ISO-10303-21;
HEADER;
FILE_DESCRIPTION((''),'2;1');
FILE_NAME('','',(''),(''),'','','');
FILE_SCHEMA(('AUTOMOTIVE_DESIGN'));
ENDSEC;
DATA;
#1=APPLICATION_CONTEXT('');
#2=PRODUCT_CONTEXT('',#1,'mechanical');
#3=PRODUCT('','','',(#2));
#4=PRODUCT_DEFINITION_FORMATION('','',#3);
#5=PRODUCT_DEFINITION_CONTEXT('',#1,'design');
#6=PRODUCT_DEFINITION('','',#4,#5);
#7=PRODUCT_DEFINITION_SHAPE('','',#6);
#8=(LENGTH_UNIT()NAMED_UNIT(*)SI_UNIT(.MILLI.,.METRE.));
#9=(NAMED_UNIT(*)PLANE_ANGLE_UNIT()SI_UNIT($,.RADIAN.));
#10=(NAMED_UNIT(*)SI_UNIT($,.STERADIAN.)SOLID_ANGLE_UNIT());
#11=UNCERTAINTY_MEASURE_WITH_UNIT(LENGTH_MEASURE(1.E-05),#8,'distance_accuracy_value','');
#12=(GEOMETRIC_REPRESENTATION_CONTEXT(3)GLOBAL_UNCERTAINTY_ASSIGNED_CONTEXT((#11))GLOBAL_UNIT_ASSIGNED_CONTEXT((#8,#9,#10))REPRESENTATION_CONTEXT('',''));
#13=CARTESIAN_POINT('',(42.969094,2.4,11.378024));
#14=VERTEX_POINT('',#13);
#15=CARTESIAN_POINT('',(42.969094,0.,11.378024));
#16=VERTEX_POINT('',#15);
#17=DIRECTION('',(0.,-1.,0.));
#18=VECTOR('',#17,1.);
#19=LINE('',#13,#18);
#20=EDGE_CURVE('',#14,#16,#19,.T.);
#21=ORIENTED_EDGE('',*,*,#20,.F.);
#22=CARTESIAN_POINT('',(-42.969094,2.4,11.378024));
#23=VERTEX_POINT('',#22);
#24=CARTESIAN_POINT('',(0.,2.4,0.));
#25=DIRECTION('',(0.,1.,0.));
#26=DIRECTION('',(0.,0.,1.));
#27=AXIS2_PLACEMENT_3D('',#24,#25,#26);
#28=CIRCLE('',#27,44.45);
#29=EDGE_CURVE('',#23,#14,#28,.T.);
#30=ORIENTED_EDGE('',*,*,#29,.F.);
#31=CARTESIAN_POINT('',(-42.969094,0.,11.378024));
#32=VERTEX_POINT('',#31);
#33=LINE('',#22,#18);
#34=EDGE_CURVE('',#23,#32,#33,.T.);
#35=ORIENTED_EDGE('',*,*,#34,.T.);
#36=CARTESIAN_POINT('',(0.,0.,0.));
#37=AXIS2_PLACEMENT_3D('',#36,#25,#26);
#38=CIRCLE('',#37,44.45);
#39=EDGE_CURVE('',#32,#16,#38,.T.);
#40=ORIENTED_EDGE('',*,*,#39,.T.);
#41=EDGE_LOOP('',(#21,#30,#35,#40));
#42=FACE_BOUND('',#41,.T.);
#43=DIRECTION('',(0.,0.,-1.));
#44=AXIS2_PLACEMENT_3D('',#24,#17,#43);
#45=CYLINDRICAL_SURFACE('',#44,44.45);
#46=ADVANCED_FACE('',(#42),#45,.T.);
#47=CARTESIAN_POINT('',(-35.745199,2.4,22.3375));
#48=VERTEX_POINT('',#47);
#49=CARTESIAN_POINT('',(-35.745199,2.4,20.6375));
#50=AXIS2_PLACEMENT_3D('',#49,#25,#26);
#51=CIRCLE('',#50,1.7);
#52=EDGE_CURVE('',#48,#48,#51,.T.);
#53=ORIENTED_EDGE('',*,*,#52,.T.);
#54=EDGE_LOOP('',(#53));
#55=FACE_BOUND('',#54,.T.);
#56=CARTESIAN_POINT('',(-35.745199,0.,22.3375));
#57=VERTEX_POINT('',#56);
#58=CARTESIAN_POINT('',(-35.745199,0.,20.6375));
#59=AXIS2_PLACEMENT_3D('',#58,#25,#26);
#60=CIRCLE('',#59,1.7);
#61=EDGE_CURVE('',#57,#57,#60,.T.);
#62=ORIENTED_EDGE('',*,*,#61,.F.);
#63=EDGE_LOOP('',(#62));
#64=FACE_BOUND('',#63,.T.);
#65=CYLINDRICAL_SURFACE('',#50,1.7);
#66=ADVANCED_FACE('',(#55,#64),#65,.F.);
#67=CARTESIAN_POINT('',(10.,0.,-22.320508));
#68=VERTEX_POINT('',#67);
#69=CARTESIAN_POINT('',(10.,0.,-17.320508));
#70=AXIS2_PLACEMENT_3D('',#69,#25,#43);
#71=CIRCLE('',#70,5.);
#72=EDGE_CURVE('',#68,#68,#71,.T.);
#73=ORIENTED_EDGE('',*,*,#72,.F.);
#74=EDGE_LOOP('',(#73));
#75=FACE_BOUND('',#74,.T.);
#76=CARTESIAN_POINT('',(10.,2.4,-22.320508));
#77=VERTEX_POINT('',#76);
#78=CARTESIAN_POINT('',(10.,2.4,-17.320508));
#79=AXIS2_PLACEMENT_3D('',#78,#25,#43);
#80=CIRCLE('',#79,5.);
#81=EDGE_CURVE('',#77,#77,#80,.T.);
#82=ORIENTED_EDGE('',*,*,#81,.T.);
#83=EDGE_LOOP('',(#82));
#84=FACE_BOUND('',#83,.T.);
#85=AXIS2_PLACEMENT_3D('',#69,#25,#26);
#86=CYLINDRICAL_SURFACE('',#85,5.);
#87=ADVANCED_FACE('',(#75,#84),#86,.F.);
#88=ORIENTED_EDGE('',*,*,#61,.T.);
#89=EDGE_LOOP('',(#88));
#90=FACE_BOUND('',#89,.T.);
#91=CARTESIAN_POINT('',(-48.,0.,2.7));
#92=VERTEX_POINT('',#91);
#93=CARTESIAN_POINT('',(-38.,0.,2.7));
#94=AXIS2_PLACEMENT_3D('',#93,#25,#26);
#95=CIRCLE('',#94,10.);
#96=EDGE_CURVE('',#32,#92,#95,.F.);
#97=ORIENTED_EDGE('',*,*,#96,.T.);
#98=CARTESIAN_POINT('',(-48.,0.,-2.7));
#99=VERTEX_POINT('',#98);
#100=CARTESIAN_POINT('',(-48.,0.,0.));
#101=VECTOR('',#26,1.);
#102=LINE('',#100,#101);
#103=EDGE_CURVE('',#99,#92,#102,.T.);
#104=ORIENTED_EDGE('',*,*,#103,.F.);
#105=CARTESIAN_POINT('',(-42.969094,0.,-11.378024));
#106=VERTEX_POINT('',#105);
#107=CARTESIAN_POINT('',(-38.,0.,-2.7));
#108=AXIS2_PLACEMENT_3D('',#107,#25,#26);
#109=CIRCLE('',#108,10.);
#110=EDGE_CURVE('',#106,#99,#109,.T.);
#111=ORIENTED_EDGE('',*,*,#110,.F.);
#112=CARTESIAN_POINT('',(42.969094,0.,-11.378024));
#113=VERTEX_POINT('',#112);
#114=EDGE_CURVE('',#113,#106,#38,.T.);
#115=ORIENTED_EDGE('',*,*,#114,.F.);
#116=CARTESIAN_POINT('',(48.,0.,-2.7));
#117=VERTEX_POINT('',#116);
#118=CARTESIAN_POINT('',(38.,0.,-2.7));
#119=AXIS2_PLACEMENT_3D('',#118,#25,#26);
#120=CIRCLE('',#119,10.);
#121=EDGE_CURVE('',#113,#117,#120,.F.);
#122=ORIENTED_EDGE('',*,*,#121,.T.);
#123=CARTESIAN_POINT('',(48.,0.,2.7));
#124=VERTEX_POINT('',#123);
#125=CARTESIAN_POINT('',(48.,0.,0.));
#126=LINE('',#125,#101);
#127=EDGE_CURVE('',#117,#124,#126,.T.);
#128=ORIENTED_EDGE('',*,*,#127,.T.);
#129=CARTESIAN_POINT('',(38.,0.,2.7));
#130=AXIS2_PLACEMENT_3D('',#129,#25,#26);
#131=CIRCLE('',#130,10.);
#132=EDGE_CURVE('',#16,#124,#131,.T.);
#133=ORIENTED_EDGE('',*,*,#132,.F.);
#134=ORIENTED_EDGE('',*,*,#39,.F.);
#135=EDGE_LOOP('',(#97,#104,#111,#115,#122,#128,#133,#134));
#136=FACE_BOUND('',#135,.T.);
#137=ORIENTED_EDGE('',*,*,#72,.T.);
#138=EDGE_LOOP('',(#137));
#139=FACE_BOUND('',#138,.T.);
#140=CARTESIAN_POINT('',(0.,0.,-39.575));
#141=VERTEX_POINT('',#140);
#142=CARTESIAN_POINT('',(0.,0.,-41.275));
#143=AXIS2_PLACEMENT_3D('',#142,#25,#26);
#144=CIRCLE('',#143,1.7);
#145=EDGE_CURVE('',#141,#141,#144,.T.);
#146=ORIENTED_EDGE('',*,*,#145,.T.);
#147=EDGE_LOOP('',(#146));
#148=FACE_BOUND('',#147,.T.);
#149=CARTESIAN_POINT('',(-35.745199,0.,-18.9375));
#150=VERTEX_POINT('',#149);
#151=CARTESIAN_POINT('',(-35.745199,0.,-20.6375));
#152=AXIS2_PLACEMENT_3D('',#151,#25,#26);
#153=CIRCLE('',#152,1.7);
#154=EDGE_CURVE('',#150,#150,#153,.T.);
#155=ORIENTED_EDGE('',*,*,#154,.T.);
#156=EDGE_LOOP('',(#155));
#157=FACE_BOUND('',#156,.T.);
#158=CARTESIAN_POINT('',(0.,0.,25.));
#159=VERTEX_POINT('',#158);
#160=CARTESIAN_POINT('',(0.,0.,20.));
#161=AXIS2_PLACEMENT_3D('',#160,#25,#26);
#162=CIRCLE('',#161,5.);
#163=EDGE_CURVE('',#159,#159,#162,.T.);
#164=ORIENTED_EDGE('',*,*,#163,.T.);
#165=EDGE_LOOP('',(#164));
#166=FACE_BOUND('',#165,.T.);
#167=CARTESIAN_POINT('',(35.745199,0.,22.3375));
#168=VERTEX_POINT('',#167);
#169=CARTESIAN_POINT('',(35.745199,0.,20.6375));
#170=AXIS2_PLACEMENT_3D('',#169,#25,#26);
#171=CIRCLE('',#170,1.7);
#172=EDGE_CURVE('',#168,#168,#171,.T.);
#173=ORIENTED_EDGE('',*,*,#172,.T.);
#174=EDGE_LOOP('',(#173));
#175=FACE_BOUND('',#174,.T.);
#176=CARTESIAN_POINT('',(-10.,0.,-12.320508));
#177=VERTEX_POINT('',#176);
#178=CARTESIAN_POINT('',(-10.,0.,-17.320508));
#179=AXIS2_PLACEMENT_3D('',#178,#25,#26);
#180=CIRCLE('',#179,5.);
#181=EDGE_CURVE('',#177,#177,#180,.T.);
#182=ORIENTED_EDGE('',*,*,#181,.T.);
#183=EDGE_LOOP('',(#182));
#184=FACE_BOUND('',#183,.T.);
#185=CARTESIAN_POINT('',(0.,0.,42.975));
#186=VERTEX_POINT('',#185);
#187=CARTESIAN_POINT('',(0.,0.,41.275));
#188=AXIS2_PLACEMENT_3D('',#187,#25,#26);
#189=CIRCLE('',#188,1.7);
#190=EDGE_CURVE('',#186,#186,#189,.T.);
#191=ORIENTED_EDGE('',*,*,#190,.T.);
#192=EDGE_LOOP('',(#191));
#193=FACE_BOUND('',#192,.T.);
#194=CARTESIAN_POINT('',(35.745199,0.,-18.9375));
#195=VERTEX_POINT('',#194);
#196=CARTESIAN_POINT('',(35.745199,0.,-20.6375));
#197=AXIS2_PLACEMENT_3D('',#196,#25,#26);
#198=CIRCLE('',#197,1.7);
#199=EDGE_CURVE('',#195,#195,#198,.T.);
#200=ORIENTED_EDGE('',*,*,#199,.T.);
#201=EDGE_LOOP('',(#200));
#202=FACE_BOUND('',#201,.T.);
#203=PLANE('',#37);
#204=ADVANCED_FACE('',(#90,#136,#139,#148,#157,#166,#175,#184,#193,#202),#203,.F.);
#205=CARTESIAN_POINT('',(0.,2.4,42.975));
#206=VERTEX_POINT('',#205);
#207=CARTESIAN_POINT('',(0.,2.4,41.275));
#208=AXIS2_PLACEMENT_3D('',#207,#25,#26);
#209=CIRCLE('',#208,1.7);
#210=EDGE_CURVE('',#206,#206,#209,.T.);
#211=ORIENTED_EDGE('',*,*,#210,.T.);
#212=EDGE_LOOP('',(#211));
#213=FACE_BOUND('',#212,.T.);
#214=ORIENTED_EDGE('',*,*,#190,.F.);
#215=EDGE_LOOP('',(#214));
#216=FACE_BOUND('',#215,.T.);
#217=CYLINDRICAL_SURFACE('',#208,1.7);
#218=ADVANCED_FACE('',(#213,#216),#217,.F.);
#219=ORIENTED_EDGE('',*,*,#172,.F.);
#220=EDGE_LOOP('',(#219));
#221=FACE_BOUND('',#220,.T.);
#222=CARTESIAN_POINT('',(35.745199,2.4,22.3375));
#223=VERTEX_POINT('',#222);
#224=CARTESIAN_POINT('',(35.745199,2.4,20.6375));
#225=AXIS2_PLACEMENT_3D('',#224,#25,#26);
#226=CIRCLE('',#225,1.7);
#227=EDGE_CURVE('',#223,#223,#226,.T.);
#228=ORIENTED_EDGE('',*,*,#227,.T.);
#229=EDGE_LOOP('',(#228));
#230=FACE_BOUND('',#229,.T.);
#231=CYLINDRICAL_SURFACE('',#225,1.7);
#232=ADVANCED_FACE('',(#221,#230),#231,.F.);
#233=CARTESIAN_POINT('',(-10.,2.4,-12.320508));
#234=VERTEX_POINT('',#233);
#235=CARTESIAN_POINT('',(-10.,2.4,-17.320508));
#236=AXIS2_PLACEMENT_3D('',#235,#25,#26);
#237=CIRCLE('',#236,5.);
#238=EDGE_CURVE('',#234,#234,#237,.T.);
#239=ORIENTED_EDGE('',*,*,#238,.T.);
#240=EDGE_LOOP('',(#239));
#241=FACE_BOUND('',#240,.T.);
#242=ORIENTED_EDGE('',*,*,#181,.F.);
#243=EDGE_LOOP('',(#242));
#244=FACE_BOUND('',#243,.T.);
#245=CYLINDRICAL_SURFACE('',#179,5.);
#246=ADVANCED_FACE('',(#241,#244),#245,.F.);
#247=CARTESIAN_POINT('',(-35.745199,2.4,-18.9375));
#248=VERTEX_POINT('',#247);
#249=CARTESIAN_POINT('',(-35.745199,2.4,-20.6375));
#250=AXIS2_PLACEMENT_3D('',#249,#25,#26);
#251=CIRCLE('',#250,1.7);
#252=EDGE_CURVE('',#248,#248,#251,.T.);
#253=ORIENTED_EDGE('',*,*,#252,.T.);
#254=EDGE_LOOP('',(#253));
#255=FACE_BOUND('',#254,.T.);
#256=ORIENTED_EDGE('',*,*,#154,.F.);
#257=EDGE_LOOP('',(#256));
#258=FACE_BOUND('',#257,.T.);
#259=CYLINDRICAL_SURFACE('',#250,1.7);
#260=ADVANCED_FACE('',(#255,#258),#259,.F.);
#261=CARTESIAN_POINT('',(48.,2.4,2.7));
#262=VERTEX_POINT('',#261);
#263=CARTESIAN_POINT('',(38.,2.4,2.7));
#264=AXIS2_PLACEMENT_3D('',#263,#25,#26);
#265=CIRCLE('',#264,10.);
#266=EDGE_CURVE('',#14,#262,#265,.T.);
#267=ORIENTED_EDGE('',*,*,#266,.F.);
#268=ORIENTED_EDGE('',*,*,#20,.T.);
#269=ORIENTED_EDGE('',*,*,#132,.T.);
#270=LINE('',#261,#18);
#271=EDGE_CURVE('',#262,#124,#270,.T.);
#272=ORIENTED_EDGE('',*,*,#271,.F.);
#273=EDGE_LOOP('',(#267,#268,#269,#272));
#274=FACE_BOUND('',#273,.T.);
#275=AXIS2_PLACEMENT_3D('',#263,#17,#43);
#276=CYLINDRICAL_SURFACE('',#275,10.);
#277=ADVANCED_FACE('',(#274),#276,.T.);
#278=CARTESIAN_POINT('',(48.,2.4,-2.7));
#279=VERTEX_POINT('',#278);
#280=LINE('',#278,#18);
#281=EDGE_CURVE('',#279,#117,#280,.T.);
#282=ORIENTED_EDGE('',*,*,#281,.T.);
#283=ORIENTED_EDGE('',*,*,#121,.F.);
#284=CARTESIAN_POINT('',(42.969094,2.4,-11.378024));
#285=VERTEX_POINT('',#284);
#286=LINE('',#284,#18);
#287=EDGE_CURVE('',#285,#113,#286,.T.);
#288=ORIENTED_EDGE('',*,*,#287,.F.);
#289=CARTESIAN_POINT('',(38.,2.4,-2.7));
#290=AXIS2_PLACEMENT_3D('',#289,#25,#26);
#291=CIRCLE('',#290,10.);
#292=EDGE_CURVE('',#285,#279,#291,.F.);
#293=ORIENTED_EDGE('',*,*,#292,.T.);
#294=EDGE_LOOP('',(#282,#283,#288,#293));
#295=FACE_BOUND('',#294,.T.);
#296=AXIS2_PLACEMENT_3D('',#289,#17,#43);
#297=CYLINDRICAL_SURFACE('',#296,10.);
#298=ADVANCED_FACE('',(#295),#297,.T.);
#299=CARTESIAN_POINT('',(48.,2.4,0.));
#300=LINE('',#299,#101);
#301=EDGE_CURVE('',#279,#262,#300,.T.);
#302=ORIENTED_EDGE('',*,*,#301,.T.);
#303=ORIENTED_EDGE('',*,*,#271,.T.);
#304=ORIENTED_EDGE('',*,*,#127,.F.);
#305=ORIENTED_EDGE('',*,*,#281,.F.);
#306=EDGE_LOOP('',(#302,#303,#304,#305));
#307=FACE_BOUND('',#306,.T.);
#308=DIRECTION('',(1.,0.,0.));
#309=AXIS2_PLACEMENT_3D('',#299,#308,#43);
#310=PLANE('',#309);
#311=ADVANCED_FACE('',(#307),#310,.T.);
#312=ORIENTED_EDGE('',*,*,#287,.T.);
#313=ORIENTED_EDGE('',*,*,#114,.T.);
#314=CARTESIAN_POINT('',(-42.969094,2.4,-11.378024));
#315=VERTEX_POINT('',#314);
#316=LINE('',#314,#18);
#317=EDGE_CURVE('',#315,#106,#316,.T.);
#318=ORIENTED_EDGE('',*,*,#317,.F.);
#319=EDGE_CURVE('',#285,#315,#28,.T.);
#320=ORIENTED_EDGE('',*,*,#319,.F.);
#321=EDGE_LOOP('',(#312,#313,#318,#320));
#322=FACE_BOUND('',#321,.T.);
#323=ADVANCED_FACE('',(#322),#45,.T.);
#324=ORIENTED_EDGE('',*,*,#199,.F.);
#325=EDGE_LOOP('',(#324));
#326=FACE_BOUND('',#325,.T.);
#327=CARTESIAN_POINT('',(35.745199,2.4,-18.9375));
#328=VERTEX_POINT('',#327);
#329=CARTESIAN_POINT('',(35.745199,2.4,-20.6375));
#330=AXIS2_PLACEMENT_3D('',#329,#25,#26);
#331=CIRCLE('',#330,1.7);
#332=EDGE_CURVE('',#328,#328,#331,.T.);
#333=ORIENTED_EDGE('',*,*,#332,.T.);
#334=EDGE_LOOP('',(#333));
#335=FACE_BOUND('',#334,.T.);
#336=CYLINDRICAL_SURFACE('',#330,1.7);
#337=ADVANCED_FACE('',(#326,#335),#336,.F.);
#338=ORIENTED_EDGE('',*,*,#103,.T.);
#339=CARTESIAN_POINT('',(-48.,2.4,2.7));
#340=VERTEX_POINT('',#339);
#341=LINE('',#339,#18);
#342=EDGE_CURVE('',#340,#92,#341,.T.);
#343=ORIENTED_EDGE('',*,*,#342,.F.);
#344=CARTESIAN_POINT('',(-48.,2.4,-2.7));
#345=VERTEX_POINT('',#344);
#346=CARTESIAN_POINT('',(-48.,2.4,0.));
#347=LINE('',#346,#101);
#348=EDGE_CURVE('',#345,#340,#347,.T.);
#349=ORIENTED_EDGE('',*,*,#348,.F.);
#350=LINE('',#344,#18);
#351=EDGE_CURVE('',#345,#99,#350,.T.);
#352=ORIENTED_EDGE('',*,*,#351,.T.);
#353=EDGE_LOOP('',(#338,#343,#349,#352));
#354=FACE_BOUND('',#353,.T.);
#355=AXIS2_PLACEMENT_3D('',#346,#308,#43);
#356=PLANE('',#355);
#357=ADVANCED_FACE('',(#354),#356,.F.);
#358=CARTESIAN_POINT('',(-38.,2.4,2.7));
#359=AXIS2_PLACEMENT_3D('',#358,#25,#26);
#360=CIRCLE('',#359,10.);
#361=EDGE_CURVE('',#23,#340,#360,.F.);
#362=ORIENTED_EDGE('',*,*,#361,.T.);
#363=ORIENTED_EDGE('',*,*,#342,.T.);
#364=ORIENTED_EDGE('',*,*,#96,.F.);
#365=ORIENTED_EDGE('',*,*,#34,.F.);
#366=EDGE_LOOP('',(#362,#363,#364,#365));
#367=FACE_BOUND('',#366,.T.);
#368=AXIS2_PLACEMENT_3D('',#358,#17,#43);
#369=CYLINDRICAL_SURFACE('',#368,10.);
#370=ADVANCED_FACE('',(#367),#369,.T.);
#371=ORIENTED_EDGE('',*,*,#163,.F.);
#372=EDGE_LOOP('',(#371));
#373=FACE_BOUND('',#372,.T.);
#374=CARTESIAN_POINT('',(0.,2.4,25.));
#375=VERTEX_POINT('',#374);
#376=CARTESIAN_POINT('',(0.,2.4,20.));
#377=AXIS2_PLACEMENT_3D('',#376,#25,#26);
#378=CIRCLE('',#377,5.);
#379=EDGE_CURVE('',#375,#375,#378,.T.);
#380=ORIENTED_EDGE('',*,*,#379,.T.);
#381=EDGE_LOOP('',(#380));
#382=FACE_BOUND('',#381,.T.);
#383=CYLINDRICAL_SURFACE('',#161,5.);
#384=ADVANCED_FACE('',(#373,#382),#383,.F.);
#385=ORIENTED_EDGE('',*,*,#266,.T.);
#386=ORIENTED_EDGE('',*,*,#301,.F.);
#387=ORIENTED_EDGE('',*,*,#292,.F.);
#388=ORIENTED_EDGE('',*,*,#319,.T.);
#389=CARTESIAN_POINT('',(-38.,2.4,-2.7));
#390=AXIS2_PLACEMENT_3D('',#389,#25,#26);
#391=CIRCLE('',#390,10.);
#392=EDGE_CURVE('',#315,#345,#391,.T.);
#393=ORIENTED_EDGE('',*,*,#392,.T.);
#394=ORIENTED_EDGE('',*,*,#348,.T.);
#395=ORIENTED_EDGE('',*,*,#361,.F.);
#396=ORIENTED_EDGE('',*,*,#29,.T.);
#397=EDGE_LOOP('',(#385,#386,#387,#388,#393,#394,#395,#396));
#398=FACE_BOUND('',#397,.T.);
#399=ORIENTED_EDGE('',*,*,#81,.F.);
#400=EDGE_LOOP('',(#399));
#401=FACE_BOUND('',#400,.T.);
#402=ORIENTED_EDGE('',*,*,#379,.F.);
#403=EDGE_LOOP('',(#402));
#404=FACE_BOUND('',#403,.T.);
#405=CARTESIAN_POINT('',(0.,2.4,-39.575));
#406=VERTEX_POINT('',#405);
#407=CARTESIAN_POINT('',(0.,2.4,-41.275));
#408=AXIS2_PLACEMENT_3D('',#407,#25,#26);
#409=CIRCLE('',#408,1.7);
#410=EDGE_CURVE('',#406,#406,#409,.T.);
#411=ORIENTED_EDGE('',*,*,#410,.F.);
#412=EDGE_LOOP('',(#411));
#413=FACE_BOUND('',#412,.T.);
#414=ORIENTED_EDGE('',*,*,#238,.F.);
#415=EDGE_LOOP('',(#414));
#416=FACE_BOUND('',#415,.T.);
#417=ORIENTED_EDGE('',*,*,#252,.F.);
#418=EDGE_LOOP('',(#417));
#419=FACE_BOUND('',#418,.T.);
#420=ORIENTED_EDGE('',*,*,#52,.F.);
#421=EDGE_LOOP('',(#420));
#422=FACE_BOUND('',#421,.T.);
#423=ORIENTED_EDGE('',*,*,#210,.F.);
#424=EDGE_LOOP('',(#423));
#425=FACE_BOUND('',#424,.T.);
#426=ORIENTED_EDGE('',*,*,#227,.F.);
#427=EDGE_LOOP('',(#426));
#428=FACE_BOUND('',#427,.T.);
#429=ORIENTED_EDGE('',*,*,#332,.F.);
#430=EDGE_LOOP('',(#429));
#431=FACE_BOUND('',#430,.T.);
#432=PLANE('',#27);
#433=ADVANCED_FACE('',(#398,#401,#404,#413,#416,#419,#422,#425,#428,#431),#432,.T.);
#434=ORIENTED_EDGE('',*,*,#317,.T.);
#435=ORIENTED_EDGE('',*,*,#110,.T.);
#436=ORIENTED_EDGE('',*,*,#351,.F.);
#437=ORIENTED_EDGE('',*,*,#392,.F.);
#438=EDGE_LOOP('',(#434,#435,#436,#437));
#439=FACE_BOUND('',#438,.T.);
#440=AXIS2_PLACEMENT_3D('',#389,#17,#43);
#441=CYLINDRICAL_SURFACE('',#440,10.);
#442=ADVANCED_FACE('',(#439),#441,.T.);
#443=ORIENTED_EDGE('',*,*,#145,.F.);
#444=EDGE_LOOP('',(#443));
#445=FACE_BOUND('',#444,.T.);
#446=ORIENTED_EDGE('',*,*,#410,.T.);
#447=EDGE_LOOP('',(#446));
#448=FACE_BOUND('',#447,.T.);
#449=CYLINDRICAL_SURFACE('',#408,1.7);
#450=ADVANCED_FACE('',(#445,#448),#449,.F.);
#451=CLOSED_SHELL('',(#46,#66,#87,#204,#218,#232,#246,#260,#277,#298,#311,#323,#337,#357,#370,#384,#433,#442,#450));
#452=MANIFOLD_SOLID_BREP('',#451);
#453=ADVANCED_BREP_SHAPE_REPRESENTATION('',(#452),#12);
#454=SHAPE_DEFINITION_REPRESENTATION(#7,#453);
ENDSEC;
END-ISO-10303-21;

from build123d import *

# Parameters (mm, degrees)
BOSS_EXTRUDE1_DEPTH  = 2.4
M3_CLEARANCE_HOLE1_D = 3.4
CIRPATTERN1_COUNT    = 6
SKETCH8_R            = 5
CUT_EXTRUDE2_DEPTH   = 66.464207778


with BuildPart() as part:
    # Sketch1 → Boss-Extrude1 (new body)
    with BuildSketch(Plane(origin=(0, 0, 0), x_dir=(1, 0, 0), z_dir=(0, 1, 0))):
        with BuildLine():
            ThreePointArc((-42.969094344, -11.378024049), (-44.45, 0), (-42.969094344, 11.378024049))
            ThreePointArc((-42.969094344, 11.378024049), (-46.651327743, 7.715429023), (-48, 2.7))
            Line((-48, 2.7), (-48, -2.7))
            ThreePointArc((-48, -2.7), (-46.651327743, -7.715429023), (-42.969094344, -11.378024049))
        make_face()
        with BuildLine():
            Line((38, 12.7), (-38, 12.7))
            ThreePointArc((-38, 12.7), (-40.570968641, 12.363856386), (-42.969094344, 11.378024049))
            ThreePointArc((-42.969094344, 11.378024049), (-44.45, 0), (-42.969094344, -11.378024049))
            ThreePointArc((-42.969094344, -11.378024049), (-40.570968641, -12.363856386), (-38, -12.7))
            Line((-38, -12.7), (38, -12.7))
            ThreePointArc((38, -12.7), (40.570968641, -12.363856386), (42.969094344, -11.378024049))
            ThreePointArc((42.969094344, -11.378024049), (44.078218791, -5.736996445), (44.45, 0))
            ThreePointArc((44.45, 0), (44.078218791, 5.736996445), (42.969094344, 11.378024049))
            ThreePointArc((42.969094344, 11.378024049), (40.570968641, 12.363856386), (38, 12.7))
        make_face()
        with BuildLine():
            ThreePointArc((-38, -12.7), (-40.570968641, -12.363856386), (-42.969094344, -11.378024049))
            ThreePointArc((-42.969094344, -11.378024049), (0, -44.45), (42.969094344, -11.378024049))
            ThreePointArc((42.969094344, -11.378024049), (40.570968641, -12.363856386), (38, -12.7))
            Line((38, -12.7), (-38, -12.7))
        make_face()
        with BuildLine():
            ThreePointArc((-42.969094344, 11.378024049), (-40.570968641, 12.363856386), (-38, 12.7))
            Line((-38, 12.7), (38, 12.7))
            ThreePointArc((38, 12.7), (40.570968641, 12.363856386), (42.969094344, 11.378024049))
            ThreePointArc((42.969094344, 11.378024049), (0, 44.45), (-42.969094344, 11.378024049))
        make_face()
        with BuildLine():
            ThreePointArc((48, 2.7), (46.651327743, 7.715429023), (42.969094344, 11.378024049))
            ThreePointArc((42.969094344, 11.378024049), (44.078218791, 5.736996445), (44.45, 0))
            ThreePointArc((44.45, 0), (44.078218791, -5.736996445), (42.969094344, -11.378024049))
            ThreePointArc((42.969094344, -11.378024049), (46.651327743, -7.715429023), (48, -2.7))
            Line((48, -2.7), (48, 2.7))
        make_face()
    extrude(amount=BOSS_EXTRUDE1_DEPTH)

    # M3 Clearance Hole1 (through all)
    with Locations(Plane(origin=(0, 2.4, -41.275), x_dir=(0, 0, 1), z_dir=(0, 1, 0))):
        with Locations((0, 0)):
            m3_clearance_hole1 = Hole(M3_CLEARANCE_HOLE1_D / 2)

    # CirPattern1: M3 Clearance Hole1 ×6 about axis
    cirpattern1_axis = Axis((0, 0, 0), (0, 1, 0))
    for i in range(1, CIRPATTERN1_COUNT):
        add(m3_clearance_hole1.rotate(cirpattern1_axis, i * 360 / CIRPATTERN1_COUNT), mode=Mode.SUBTRACT)

    # Sketch8 → Cut-Extrude2 (cut, through all)
    with BuildSketch(Plane(origin=(0, 2.4, 0), x_dir=(1, 0, 0), z_dir=(0, 1, 0))):
        with Locations(Location((-10, 17.320508076, 0), (0, 0, 270))):
            Circle(SKETCH8_R)
        with Locations(Location((10, 17.320508076, 0), (0, 0, 90))):
            Circle(SKETCH8_R)
        with Locations(Location((0, -20, 0), (0, 0, 270))):
            Circle(SKETCH8_R)
    extrude(amount=-CUT_EXTRUDE2_DEPTH, mode=Mode.SUBTRACT)


solid = part.part
